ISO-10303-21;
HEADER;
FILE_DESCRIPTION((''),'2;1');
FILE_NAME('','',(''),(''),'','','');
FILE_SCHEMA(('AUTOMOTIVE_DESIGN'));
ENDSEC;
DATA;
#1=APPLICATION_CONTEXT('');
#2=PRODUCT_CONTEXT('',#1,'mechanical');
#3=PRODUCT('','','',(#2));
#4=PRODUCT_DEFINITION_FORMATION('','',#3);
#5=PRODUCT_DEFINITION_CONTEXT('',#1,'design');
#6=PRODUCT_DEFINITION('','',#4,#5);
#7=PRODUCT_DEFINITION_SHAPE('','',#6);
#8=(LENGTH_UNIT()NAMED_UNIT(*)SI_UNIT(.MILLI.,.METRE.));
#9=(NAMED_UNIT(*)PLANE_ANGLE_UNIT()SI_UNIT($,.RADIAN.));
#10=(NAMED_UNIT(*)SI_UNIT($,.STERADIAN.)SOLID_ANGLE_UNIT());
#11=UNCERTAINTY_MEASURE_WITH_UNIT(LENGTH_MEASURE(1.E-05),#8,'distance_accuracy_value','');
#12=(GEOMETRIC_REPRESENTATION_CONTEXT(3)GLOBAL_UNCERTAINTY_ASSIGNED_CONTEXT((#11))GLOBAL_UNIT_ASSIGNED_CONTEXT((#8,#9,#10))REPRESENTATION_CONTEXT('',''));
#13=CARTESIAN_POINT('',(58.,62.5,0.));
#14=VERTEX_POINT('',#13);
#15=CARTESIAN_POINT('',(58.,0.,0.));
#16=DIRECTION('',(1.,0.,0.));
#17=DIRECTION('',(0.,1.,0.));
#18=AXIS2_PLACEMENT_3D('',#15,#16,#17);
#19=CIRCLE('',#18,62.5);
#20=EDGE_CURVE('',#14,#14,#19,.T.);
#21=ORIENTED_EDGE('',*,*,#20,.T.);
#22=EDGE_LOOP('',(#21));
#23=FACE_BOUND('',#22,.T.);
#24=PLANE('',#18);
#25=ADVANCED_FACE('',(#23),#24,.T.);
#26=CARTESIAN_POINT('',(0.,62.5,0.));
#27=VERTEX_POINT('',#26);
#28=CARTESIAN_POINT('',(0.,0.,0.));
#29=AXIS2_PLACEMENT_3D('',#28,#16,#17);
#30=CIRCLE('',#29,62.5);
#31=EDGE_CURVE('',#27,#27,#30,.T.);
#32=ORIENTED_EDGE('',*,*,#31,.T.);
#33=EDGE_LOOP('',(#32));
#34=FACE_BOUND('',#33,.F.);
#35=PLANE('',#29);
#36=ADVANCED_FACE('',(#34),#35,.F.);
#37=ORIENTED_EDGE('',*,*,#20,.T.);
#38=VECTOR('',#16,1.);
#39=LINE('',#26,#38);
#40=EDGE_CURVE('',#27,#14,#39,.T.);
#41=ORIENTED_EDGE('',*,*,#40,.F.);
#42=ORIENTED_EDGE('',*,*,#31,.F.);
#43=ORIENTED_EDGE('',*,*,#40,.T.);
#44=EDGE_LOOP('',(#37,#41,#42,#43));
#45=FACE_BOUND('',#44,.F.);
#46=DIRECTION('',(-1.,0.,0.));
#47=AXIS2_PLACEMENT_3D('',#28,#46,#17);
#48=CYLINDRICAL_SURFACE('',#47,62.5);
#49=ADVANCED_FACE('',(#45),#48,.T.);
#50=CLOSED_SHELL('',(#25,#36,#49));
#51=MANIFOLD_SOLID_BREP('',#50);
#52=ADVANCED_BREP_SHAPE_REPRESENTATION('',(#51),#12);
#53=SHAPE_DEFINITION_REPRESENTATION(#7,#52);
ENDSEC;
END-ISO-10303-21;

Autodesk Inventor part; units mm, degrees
ref_plane "YZ Plane" through (0, 0, 0) normal (1, 0, 0) x (0, 1, 0)
ref_plane "XZ Plane" through (0, 0, 0) normal (0, 1, 0) x (-1, 0, 0)
ref_plane "XY Plane" through (0, 0, 0) normal (0, 0, 1) x (1, 0, 0)
sketch "Sketch1" plane through (0, 0, 0) normal (1, 0, 0) x (0, 1, 0)
  circle A0 centre (0, 0) radius 62.5
  dimension "d0" = 125
extrude "Extrusion1" add sketch "Sketch1" along normal blind 58
properties part number "Sanou K11-125 3-Jaw Chuck"
